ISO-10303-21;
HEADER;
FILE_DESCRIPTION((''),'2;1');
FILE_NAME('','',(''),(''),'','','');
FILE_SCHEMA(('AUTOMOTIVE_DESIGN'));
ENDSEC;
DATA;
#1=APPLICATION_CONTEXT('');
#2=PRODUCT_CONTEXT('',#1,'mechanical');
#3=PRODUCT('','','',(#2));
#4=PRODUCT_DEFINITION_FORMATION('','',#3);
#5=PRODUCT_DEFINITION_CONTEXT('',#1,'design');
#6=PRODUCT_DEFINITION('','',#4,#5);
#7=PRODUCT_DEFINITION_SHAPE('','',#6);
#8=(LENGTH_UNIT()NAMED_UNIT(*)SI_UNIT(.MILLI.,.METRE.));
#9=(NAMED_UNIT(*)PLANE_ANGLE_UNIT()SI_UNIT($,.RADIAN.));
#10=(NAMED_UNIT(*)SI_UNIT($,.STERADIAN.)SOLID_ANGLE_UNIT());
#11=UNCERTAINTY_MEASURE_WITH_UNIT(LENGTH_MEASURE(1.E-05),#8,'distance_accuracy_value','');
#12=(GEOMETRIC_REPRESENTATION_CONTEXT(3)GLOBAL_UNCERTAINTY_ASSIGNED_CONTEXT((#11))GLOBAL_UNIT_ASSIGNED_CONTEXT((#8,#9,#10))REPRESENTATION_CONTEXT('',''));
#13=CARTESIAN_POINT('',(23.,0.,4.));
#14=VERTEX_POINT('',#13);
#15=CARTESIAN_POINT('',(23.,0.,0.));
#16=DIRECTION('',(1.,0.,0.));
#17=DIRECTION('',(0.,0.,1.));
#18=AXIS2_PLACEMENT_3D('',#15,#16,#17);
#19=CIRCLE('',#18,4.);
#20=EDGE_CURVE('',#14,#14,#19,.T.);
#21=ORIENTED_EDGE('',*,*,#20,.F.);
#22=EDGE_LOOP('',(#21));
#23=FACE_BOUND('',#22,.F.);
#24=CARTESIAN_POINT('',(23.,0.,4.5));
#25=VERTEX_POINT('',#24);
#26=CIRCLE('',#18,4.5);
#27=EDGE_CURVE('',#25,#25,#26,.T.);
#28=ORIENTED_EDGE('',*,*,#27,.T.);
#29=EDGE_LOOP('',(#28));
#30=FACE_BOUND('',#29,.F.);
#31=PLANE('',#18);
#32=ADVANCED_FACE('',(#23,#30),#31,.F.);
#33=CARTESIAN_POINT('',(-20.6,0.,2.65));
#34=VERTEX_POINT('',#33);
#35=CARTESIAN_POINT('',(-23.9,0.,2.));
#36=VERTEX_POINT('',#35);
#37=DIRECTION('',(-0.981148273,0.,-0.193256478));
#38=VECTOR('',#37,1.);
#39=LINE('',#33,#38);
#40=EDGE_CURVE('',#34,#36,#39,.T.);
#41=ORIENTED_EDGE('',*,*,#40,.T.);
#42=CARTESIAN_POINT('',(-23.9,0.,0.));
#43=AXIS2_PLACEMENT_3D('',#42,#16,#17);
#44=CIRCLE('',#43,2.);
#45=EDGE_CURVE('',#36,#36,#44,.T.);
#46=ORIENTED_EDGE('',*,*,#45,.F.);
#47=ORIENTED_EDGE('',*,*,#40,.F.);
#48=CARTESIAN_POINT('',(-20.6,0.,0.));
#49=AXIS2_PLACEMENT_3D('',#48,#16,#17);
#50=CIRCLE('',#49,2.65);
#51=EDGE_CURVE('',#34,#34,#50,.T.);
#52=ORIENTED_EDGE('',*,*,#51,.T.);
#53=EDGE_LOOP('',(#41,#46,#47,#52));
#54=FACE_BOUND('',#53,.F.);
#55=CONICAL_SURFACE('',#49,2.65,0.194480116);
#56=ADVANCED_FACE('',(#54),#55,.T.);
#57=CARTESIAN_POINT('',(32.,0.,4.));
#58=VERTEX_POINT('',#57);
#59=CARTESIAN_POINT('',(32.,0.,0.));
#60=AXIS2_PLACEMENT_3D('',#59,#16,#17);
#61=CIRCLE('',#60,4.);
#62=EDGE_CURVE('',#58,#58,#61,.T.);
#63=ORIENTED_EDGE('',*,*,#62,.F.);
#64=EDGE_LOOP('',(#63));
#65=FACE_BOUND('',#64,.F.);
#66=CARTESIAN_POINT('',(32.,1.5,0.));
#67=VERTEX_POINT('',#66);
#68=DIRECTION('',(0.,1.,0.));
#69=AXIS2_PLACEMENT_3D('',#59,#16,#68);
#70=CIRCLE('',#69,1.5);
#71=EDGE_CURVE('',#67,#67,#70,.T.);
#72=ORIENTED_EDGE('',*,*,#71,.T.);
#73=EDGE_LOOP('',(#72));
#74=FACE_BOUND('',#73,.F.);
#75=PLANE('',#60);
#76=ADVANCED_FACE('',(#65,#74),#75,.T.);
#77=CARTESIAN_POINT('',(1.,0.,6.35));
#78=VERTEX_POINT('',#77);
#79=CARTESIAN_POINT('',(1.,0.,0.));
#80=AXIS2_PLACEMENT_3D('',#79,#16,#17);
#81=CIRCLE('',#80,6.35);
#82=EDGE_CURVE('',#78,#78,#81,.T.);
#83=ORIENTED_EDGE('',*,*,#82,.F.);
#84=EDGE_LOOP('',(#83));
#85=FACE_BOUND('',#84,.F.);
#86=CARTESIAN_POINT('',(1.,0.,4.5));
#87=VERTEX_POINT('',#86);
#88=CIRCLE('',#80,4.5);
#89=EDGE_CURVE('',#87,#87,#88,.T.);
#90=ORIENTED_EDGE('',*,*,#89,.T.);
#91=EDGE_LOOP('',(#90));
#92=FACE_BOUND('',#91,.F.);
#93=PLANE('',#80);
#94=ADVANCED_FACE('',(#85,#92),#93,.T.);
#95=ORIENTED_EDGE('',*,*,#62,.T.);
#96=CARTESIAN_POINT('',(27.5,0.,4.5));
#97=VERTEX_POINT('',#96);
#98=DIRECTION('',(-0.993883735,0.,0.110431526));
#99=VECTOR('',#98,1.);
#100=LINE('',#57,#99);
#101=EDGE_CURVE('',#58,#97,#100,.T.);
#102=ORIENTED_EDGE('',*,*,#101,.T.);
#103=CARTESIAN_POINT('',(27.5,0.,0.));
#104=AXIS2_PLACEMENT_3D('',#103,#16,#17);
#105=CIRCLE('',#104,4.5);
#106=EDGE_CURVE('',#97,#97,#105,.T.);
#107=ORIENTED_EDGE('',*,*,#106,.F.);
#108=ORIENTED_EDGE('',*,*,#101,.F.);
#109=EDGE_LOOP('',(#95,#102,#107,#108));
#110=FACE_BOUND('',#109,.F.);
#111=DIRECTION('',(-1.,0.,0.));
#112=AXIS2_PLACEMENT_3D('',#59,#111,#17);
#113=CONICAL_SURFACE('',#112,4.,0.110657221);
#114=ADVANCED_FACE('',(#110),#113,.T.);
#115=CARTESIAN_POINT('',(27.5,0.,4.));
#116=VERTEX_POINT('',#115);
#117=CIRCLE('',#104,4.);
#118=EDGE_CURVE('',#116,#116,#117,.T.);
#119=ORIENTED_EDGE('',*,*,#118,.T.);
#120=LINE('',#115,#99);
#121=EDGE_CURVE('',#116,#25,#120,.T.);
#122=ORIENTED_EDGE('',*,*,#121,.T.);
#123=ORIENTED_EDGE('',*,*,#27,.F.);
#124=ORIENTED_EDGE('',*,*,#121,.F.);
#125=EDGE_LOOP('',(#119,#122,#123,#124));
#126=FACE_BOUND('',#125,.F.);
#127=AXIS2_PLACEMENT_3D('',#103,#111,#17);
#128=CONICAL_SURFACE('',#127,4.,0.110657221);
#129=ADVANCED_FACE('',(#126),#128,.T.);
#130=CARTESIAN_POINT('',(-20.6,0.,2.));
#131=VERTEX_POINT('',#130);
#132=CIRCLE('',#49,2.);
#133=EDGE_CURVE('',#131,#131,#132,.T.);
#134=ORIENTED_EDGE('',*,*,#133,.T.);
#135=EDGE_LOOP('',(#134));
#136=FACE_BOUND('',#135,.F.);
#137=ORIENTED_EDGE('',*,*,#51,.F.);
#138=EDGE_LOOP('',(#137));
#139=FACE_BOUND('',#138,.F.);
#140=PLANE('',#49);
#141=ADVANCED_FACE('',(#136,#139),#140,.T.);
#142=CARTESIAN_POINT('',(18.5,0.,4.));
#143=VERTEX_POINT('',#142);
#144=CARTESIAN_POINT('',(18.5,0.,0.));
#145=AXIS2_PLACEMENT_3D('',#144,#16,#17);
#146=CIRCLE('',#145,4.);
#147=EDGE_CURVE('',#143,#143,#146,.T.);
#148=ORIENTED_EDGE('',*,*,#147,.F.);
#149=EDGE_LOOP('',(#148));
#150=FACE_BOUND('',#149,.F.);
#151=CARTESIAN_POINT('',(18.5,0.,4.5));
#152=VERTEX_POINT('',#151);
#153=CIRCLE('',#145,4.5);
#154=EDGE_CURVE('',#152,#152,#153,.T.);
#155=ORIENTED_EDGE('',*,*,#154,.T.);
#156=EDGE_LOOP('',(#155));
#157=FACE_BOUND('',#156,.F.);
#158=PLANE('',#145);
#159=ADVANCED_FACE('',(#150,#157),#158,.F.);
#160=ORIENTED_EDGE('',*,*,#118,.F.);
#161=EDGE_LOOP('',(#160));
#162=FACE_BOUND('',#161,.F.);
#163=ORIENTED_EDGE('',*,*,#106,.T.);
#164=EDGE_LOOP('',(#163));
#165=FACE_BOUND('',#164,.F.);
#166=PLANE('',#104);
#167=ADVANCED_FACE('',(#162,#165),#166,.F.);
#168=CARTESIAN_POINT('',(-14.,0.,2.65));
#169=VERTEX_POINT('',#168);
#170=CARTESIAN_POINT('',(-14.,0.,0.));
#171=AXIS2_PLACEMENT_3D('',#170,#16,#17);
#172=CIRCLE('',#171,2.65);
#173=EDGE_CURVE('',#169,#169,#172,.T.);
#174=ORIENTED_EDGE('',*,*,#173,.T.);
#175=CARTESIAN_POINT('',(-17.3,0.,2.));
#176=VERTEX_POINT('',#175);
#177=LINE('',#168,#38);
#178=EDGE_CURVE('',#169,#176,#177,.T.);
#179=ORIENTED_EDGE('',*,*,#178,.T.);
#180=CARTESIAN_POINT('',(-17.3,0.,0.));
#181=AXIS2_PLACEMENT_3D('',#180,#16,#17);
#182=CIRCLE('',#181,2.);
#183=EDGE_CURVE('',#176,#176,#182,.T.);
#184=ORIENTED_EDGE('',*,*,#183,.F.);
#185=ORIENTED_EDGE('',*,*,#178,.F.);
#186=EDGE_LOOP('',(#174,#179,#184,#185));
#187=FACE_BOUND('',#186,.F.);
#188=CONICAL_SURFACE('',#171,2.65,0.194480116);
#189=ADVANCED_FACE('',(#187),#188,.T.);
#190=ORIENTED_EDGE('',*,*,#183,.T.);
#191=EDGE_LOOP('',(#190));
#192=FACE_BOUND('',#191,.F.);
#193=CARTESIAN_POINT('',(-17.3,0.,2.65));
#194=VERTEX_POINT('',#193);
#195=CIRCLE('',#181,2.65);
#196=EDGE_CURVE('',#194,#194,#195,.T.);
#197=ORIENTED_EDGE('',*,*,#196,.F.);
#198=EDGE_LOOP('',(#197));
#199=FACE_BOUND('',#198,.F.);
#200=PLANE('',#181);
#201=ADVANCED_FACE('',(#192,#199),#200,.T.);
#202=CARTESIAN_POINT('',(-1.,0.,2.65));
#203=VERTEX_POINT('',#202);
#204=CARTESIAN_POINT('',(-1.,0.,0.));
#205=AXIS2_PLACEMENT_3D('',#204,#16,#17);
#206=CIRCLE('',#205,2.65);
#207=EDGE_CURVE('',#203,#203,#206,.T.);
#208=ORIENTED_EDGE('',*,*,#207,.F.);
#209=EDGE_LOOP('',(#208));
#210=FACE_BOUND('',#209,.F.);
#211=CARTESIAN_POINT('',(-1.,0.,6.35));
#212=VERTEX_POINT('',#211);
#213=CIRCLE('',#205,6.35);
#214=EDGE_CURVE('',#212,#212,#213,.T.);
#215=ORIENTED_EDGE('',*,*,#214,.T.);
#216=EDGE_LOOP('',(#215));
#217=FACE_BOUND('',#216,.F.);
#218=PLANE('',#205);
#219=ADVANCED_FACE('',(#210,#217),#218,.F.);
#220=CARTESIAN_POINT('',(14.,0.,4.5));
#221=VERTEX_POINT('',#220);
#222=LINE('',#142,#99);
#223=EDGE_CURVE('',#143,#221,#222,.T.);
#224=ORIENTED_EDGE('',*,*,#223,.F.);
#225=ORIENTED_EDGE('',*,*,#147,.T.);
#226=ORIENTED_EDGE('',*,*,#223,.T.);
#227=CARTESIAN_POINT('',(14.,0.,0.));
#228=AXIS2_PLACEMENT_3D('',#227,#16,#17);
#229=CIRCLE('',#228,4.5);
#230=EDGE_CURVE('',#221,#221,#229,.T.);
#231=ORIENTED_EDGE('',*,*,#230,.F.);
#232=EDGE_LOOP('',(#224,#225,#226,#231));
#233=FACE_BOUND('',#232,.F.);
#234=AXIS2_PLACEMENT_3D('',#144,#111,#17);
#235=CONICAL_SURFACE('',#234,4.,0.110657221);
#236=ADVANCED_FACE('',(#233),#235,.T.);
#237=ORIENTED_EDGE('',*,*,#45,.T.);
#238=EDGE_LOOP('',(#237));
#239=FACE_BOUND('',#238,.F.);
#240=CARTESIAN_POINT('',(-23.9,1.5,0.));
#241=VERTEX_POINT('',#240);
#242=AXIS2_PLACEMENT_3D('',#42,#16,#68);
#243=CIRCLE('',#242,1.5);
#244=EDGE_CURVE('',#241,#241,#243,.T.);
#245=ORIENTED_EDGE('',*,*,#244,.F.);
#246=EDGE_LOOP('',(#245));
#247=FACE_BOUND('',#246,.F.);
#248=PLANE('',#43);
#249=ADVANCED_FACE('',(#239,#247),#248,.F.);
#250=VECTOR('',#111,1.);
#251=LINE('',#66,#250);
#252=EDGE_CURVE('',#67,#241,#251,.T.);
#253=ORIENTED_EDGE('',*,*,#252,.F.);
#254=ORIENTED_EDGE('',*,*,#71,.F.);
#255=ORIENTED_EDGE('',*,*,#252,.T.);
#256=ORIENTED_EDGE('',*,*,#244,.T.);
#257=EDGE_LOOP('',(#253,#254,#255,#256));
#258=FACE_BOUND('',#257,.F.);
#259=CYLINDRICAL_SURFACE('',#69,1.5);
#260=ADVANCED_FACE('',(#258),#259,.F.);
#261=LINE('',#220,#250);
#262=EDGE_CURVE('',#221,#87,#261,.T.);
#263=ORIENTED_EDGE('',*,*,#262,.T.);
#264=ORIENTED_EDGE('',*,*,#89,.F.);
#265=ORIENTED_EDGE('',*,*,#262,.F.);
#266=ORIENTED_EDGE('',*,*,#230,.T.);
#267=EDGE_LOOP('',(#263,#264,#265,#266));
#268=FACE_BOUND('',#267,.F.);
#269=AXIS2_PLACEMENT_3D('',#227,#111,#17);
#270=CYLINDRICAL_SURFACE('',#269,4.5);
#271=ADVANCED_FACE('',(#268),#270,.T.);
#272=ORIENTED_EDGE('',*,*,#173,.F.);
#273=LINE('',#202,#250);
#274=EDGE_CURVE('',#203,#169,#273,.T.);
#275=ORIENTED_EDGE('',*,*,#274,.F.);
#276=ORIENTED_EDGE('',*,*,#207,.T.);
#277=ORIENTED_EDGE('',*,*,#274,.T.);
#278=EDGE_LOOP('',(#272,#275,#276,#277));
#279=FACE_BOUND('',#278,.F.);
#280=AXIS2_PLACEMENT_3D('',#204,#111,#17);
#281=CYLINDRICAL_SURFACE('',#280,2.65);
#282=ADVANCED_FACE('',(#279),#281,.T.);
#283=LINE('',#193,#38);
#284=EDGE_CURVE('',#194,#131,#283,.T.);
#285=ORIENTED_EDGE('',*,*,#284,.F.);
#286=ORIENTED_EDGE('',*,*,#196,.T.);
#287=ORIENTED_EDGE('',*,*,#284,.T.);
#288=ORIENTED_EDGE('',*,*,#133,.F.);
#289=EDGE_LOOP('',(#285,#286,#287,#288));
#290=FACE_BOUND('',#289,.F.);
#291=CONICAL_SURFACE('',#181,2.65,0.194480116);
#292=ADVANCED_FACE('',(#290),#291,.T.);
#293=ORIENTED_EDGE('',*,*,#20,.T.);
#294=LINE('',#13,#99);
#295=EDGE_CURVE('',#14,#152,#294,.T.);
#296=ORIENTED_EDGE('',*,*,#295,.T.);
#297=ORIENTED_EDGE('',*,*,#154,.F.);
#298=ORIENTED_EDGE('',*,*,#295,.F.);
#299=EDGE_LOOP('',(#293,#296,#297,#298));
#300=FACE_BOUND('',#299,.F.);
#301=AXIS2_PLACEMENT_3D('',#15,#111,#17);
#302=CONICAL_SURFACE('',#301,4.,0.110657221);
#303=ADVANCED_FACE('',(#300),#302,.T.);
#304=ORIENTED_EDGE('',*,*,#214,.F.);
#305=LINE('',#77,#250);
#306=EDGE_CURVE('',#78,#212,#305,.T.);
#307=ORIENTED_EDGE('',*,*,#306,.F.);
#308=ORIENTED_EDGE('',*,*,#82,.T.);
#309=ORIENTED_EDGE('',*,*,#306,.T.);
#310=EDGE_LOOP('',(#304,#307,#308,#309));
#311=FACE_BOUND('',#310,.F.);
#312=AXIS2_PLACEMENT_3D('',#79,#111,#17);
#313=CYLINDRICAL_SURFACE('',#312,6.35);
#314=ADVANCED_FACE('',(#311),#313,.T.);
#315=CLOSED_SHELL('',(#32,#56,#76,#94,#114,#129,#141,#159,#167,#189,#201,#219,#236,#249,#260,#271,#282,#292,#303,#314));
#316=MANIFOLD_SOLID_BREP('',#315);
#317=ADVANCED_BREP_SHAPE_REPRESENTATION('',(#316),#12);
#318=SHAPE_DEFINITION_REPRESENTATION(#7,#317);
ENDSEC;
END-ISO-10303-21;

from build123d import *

# Parameters (mm, degrees)
F2_R     = 1.5
F3_DEPTH = 55.901


with BuildPart() as f1:
    # F0 (on Front) → F1 (revolve)
    with BuildSketch(Plane.XZ):
        Polygon((-17.3, 0), (-17.3, 2), (-17.3, 2.65), (-20.6, 2), (-20.6, 0), align=None)
        Polygon((18.5, 4), (14, 4.5), (1, 4.5), (1, 6.35), (-1, 6.35), (-1, 2.65), (-14, 2.65), (-17.3, 2), (-17.3, 0), (32, 0), (32, 4), (27.5, 4.5), (27.5, 4), (23, 4.5), (23, 4), (18.5, 4.5), align=None)
        Polygon((-23.9, 0), (-20.6, 0), (-20.6, 2), (-20.6, 2.65), (-23.9, 2), align=None)
    revolve(axis=Axis((4.05, 0, 0), (1, 0, 0)))

    # F2 (on face) → F3 (cut, through all)
    with BuildSketch(Plane.YZ.offset(32)):
        Circle(F2_R)
    extrude(amount=-F3_DEPTH, mode=Mode.SUBTRACT)


solid = f1.part
